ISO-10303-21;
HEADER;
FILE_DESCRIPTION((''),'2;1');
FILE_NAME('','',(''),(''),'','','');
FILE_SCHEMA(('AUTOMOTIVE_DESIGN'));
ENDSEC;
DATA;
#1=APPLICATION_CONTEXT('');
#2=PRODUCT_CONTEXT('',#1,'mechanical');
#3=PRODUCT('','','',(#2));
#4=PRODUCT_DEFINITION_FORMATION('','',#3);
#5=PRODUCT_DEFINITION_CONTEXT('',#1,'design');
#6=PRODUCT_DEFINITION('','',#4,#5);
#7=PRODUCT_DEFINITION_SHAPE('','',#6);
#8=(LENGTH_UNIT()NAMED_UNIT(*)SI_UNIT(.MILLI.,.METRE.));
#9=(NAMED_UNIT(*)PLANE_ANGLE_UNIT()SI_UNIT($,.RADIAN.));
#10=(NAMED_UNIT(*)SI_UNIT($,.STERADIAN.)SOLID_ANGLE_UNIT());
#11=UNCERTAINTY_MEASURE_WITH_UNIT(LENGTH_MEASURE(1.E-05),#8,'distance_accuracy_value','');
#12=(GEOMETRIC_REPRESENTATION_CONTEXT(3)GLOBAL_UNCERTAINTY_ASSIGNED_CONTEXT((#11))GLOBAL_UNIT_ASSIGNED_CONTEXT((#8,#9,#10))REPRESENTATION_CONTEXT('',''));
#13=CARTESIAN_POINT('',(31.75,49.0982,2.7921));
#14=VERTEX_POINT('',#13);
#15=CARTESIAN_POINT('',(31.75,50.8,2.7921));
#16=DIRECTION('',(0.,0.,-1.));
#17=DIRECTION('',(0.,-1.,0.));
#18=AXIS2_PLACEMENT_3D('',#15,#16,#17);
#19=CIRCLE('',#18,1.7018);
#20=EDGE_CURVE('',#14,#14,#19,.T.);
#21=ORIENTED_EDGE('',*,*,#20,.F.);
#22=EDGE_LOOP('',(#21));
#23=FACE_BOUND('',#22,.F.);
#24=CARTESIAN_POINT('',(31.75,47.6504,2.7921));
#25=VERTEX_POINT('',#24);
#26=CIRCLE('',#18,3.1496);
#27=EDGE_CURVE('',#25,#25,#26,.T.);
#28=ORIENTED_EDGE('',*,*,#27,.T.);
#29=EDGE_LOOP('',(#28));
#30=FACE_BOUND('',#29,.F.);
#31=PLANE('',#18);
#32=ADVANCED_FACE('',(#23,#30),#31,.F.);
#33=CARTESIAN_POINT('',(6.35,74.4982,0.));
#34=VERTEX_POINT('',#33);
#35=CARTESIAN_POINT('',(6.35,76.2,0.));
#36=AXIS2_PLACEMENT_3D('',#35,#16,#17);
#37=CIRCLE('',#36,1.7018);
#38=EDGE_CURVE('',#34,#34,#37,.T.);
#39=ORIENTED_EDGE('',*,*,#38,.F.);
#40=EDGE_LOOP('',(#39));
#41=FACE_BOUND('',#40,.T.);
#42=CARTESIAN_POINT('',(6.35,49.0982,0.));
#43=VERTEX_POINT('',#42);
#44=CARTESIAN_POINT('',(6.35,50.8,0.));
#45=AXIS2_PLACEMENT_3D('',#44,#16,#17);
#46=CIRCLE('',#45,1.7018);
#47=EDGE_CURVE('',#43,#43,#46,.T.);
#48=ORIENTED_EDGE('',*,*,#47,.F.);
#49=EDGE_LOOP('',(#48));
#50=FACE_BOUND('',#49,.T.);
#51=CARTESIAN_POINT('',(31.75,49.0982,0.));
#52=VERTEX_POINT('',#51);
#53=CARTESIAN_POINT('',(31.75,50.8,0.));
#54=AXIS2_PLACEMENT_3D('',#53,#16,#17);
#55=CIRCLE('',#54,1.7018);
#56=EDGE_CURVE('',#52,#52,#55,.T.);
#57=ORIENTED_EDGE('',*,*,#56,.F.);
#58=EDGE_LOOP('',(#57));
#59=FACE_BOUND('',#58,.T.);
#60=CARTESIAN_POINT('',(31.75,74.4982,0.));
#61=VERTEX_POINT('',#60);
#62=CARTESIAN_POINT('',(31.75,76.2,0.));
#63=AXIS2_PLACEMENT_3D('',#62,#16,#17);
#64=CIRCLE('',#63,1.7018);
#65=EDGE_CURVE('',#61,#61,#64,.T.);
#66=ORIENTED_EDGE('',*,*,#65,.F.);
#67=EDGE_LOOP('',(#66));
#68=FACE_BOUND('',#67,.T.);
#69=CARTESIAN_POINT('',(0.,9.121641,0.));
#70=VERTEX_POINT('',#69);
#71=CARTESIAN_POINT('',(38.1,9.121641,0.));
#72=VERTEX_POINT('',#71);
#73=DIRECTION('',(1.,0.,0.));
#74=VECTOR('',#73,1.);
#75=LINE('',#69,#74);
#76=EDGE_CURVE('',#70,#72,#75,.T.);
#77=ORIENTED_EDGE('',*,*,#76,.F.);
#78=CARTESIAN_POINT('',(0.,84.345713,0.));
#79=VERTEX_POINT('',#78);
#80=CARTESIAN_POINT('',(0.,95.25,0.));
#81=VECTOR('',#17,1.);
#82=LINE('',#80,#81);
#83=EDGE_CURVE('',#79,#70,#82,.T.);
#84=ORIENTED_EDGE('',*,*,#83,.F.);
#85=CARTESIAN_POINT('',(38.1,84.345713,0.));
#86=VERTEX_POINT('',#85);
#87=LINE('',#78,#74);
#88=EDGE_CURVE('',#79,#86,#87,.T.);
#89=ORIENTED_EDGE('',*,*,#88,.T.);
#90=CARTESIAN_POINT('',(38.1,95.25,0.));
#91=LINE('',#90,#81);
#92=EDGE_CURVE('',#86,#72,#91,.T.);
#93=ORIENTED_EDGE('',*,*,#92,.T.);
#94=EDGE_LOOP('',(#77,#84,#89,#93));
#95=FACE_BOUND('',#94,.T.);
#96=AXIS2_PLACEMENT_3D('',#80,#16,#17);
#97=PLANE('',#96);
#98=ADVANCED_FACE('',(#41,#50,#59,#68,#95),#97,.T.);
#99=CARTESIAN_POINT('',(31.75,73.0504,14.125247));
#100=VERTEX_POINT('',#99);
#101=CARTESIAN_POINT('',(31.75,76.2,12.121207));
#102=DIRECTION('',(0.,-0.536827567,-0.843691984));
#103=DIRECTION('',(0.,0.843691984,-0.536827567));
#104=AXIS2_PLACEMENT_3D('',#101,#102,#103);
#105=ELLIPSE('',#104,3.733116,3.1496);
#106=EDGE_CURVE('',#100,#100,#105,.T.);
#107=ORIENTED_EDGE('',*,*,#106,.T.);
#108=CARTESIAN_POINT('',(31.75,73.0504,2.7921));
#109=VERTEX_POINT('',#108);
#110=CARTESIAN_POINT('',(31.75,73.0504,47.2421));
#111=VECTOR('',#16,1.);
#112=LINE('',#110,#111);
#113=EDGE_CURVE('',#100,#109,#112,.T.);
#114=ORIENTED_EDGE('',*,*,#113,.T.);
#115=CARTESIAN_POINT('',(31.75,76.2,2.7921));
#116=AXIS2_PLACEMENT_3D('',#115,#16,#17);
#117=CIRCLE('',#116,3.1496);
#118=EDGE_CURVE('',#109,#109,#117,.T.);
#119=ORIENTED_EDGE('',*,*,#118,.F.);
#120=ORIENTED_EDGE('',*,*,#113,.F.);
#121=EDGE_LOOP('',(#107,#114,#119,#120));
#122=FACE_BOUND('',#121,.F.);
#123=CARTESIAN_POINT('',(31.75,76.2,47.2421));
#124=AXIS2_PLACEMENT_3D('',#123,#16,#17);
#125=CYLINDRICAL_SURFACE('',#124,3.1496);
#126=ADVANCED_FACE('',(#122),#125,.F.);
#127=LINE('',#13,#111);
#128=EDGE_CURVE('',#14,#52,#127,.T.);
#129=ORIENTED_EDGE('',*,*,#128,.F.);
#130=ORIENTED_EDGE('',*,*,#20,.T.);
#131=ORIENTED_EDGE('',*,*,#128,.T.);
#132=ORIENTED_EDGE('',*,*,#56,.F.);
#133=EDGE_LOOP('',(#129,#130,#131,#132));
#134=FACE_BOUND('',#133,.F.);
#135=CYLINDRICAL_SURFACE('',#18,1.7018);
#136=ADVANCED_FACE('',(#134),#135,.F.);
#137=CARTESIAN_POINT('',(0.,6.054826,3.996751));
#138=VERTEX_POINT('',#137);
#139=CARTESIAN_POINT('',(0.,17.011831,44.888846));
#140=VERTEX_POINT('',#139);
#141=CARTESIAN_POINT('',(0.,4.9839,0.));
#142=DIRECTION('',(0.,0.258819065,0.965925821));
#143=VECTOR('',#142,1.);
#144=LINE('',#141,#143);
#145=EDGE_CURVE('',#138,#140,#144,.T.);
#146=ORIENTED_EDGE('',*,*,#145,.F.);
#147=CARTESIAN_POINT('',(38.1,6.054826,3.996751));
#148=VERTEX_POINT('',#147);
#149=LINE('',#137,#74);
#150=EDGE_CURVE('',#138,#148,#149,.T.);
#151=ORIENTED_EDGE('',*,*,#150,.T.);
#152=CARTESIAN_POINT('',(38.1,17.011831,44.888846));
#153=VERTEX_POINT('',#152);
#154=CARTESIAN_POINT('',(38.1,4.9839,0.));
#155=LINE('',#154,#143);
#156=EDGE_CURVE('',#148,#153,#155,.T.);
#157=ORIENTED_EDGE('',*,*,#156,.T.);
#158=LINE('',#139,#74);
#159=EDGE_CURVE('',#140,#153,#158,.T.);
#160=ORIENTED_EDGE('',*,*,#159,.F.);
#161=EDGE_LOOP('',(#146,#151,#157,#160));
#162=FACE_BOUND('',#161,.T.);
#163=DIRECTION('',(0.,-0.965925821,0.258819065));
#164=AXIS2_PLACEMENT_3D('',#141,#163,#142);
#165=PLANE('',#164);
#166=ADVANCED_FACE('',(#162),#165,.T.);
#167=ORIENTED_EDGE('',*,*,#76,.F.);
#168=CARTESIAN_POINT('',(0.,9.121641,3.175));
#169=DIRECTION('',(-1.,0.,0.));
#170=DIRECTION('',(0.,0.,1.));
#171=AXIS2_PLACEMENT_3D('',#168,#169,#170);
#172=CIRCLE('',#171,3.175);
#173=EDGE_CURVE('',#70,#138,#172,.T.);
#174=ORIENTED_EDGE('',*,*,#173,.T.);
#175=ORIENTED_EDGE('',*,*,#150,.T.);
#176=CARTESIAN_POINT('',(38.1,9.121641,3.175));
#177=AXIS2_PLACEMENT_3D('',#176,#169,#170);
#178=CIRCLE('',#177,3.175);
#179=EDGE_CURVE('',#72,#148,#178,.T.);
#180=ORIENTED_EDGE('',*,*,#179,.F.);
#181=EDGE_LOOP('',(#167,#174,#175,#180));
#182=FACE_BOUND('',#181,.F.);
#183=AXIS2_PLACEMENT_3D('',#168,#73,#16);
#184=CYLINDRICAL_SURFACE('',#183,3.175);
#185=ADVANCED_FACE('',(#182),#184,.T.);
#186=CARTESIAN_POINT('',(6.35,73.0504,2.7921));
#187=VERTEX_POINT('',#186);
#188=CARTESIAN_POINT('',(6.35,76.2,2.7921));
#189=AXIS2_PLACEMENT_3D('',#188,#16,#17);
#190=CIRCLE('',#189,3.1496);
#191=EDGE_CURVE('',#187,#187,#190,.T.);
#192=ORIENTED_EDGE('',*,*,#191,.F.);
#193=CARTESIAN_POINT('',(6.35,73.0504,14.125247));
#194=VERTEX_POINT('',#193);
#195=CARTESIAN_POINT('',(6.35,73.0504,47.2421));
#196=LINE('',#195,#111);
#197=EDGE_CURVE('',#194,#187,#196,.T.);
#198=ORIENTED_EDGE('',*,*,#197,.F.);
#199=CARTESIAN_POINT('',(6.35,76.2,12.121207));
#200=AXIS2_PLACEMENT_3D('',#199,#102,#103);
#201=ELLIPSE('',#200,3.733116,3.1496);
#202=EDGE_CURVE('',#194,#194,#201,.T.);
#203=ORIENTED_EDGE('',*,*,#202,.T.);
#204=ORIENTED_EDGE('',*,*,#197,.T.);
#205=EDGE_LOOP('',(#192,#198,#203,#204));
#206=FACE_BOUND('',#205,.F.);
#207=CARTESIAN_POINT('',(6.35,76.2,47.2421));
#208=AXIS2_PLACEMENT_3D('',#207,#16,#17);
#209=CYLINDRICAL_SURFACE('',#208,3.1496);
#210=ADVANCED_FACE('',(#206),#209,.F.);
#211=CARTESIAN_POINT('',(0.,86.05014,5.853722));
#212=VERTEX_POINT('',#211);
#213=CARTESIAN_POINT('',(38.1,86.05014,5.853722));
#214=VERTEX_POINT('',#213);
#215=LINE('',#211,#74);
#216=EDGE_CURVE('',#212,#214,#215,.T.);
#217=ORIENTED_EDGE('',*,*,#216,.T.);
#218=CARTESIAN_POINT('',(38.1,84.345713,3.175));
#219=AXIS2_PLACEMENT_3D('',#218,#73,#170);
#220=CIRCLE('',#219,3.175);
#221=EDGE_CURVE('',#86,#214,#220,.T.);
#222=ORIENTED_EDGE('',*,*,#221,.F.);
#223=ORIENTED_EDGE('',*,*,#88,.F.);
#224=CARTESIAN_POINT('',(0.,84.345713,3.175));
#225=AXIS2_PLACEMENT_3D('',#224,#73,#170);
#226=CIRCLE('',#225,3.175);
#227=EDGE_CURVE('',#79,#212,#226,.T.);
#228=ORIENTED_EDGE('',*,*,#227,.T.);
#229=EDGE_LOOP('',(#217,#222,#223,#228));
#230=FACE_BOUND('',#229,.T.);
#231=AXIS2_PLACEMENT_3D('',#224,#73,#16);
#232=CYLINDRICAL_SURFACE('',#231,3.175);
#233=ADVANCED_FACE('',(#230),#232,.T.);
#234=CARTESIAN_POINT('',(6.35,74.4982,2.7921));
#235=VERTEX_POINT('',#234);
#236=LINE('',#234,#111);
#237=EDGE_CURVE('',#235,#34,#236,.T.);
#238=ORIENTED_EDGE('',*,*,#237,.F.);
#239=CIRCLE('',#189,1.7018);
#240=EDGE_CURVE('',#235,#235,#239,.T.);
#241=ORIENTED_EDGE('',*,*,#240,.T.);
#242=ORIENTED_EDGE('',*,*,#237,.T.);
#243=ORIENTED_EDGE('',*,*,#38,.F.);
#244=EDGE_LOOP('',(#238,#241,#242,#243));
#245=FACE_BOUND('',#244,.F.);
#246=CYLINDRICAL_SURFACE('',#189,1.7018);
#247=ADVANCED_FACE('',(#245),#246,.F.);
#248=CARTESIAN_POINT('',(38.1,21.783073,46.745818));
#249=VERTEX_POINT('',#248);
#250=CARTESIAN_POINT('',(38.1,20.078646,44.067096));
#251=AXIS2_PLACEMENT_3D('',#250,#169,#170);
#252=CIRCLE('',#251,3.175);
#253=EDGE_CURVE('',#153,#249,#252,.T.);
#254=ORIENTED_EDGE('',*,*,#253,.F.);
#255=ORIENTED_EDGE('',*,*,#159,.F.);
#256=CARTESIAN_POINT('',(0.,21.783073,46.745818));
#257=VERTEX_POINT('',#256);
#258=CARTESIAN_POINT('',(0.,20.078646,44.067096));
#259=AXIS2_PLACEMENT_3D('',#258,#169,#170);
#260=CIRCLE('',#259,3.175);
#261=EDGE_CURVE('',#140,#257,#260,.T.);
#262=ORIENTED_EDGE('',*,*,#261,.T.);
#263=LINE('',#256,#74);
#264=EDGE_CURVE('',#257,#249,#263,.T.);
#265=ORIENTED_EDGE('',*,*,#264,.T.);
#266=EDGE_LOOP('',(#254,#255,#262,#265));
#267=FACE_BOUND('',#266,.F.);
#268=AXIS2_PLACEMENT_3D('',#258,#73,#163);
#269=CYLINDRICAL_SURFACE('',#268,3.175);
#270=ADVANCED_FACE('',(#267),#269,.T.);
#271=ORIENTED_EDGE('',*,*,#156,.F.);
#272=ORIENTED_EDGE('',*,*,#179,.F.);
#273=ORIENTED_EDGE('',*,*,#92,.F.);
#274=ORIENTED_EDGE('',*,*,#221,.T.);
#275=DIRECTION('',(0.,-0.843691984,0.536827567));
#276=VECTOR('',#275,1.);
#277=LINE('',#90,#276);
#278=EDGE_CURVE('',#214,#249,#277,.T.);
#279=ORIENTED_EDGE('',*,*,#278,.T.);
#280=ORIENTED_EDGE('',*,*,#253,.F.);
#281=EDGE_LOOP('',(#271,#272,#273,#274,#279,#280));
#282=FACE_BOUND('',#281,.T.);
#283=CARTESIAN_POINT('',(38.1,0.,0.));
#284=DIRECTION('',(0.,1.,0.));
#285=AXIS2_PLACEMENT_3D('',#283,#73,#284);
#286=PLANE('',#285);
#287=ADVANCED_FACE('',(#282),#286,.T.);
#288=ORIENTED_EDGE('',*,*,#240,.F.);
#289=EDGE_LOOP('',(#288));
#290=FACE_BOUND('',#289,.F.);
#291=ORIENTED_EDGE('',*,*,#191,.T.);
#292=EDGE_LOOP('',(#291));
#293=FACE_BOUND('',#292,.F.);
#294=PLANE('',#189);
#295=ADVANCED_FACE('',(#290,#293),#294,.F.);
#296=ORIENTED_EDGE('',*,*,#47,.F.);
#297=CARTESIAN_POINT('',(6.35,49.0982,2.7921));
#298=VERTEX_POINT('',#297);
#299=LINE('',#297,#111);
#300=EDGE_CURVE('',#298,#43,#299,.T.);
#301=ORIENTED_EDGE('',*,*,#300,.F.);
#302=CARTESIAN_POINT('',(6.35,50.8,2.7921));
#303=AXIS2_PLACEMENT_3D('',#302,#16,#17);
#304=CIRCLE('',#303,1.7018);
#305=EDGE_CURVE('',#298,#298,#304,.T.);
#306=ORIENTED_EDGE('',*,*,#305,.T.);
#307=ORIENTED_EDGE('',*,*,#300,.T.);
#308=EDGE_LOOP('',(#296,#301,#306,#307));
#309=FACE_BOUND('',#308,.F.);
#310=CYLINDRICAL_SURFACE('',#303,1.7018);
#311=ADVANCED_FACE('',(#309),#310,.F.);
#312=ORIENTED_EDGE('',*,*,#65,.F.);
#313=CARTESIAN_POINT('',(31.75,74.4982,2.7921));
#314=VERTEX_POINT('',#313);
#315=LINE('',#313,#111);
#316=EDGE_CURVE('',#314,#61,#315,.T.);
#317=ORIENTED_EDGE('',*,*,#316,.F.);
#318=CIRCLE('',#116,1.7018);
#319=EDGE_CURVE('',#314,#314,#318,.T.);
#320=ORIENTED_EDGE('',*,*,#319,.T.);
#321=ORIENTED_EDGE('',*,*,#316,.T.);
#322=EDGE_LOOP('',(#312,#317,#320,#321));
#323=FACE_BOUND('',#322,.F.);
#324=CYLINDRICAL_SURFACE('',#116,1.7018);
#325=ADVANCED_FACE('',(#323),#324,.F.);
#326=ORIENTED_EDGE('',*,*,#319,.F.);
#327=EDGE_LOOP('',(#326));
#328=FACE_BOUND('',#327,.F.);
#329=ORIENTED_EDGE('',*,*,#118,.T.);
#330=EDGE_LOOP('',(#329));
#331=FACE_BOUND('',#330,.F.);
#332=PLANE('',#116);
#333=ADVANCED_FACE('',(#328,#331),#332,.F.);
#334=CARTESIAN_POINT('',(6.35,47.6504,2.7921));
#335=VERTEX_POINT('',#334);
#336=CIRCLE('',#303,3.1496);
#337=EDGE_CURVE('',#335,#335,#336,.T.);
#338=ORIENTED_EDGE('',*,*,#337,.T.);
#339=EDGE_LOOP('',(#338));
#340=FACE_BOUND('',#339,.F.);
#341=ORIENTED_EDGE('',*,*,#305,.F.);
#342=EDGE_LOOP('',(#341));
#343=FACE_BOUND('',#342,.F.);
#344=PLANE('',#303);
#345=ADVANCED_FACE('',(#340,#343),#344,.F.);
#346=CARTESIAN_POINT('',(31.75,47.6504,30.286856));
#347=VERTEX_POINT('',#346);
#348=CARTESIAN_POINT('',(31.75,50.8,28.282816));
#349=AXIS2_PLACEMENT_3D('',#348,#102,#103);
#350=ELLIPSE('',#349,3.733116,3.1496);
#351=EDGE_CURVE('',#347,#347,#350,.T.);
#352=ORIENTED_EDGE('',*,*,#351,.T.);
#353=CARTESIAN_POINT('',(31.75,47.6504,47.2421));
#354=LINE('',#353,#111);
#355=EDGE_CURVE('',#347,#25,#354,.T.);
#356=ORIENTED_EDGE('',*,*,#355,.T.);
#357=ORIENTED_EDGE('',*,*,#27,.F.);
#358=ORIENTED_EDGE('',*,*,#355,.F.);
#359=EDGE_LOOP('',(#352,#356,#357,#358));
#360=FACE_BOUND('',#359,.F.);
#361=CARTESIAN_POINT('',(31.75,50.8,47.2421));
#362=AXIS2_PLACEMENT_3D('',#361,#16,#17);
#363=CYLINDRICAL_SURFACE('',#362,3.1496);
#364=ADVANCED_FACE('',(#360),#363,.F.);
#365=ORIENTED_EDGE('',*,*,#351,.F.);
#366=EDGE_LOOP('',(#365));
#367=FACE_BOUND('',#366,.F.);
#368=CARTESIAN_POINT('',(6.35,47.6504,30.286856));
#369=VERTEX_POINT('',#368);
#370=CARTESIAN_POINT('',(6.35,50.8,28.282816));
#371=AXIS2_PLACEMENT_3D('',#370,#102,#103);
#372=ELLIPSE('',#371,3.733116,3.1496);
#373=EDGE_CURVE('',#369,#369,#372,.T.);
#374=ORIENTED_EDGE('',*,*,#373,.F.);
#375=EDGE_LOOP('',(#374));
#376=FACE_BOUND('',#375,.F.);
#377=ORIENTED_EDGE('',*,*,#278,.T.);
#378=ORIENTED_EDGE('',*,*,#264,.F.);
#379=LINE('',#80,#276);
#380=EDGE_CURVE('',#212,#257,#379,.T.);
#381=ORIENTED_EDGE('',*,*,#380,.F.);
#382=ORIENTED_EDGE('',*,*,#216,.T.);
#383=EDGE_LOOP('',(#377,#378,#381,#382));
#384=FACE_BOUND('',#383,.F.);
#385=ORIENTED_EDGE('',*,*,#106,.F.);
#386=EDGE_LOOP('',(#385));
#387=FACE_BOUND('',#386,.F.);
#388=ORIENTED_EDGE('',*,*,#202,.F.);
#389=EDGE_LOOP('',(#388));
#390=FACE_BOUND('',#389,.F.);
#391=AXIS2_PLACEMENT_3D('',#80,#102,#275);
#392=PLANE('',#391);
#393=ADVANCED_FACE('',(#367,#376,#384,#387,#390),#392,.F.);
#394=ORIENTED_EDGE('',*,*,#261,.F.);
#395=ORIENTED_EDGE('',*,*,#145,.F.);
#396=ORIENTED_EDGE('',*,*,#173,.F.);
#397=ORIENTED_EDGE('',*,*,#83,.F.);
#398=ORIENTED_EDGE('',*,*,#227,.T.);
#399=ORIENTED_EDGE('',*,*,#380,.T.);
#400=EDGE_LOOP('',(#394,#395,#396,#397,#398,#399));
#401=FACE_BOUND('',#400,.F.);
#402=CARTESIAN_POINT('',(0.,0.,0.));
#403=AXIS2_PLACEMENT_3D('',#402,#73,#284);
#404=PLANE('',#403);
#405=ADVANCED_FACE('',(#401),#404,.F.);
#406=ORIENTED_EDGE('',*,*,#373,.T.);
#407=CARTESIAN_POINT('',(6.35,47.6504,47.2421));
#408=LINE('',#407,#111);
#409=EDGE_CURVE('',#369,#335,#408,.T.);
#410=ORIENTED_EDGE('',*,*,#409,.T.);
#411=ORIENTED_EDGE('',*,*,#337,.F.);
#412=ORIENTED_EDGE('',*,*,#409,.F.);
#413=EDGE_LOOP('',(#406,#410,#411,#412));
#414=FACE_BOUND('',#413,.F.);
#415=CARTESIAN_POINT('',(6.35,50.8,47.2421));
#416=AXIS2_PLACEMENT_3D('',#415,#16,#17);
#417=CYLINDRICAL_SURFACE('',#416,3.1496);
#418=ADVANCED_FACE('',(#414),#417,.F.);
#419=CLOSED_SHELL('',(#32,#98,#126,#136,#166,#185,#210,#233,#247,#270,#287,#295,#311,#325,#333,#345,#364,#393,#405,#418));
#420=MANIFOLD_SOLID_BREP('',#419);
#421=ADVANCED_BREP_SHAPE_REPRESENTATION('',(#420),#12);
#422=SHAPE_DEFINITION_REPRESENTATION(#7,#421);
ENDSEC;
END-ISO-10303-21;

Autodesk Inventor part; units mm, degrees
ref_plane "YZ Plane" through (0, 0, 0) normal (1, 0, 0) x (0, 1, 0)
ref_plane "XZ Plane" through (0, 0, 0) normal (0, 1, 0) x (-1, 0, 0)
sketch "Sketch1" plane through (0, 0, 0) normal (1, 0, 0) x (0, 1, 0)
  line L0 (95.25, 0) -> (18.1319, 49.069)
  line L1 (0, 0) -> (0, -18.6) construction
  line L2 (95.25, 0) -> (4.9839, 0)
  line L3 (4.9839, 0) -> (18.1319, 49.069)
  dimension "d24" = 18.6
  dimension "d25" = 15
  dimension "d26" = 50.8
  dimension "d27" = 95.25
extrude "Extrusion1" add sketch "Sketch1" along normal blind 38.1
fillet "Fillet1" radius 3.175 3 edges at (19.05, 95.25, 0) (19.05, 4.9839, 0) (19.05, 18.1319, 49.069)
ref_plane "Work Plane1" through (0, 20.0786, 47.2421) normal (0, 0, -1) x (-1, 0, 0)
sketch "Sketch2" plane through (0, 20.0786, 47.2421) normal (0, 0, -1) x (-1, 0, 0)
  line L0 (0, 65.9715) -> (0, 1.7044) projected
  line L1 (-38.1, -14.0238) -> (0, -14.0238) projected
  point P0 (0, -20.0786)
  point P1 (-6.35, 56.1214)
  point P2 (-6.35, 30.7214)
  point P3 (-31.75, 56.1214)
  point P4 (-31.75, 30.7214)
  dimension "d28" = 76.2
  dimension "d29" = 6.35
  dimension "d32" = 25.4
  dimension "d35" = 25.4
hole "Hole1" at (6.35, 76.2, 47.2421) at (31.75, 76.2, 47.2421) at (6.35, 50.8, 47.2421) at (31.75, 50.8, 47.2421) direction (0, 0, -1) diameter 3.4036 end through all counterbore diameter 6.2992 counterbore depth 44.45 clearance for "Flat Head Machine Screw" size "M3" standard "Ansi Metric M Profile"
properties part number "CC-bottomStand" material "ABS Plastic"
